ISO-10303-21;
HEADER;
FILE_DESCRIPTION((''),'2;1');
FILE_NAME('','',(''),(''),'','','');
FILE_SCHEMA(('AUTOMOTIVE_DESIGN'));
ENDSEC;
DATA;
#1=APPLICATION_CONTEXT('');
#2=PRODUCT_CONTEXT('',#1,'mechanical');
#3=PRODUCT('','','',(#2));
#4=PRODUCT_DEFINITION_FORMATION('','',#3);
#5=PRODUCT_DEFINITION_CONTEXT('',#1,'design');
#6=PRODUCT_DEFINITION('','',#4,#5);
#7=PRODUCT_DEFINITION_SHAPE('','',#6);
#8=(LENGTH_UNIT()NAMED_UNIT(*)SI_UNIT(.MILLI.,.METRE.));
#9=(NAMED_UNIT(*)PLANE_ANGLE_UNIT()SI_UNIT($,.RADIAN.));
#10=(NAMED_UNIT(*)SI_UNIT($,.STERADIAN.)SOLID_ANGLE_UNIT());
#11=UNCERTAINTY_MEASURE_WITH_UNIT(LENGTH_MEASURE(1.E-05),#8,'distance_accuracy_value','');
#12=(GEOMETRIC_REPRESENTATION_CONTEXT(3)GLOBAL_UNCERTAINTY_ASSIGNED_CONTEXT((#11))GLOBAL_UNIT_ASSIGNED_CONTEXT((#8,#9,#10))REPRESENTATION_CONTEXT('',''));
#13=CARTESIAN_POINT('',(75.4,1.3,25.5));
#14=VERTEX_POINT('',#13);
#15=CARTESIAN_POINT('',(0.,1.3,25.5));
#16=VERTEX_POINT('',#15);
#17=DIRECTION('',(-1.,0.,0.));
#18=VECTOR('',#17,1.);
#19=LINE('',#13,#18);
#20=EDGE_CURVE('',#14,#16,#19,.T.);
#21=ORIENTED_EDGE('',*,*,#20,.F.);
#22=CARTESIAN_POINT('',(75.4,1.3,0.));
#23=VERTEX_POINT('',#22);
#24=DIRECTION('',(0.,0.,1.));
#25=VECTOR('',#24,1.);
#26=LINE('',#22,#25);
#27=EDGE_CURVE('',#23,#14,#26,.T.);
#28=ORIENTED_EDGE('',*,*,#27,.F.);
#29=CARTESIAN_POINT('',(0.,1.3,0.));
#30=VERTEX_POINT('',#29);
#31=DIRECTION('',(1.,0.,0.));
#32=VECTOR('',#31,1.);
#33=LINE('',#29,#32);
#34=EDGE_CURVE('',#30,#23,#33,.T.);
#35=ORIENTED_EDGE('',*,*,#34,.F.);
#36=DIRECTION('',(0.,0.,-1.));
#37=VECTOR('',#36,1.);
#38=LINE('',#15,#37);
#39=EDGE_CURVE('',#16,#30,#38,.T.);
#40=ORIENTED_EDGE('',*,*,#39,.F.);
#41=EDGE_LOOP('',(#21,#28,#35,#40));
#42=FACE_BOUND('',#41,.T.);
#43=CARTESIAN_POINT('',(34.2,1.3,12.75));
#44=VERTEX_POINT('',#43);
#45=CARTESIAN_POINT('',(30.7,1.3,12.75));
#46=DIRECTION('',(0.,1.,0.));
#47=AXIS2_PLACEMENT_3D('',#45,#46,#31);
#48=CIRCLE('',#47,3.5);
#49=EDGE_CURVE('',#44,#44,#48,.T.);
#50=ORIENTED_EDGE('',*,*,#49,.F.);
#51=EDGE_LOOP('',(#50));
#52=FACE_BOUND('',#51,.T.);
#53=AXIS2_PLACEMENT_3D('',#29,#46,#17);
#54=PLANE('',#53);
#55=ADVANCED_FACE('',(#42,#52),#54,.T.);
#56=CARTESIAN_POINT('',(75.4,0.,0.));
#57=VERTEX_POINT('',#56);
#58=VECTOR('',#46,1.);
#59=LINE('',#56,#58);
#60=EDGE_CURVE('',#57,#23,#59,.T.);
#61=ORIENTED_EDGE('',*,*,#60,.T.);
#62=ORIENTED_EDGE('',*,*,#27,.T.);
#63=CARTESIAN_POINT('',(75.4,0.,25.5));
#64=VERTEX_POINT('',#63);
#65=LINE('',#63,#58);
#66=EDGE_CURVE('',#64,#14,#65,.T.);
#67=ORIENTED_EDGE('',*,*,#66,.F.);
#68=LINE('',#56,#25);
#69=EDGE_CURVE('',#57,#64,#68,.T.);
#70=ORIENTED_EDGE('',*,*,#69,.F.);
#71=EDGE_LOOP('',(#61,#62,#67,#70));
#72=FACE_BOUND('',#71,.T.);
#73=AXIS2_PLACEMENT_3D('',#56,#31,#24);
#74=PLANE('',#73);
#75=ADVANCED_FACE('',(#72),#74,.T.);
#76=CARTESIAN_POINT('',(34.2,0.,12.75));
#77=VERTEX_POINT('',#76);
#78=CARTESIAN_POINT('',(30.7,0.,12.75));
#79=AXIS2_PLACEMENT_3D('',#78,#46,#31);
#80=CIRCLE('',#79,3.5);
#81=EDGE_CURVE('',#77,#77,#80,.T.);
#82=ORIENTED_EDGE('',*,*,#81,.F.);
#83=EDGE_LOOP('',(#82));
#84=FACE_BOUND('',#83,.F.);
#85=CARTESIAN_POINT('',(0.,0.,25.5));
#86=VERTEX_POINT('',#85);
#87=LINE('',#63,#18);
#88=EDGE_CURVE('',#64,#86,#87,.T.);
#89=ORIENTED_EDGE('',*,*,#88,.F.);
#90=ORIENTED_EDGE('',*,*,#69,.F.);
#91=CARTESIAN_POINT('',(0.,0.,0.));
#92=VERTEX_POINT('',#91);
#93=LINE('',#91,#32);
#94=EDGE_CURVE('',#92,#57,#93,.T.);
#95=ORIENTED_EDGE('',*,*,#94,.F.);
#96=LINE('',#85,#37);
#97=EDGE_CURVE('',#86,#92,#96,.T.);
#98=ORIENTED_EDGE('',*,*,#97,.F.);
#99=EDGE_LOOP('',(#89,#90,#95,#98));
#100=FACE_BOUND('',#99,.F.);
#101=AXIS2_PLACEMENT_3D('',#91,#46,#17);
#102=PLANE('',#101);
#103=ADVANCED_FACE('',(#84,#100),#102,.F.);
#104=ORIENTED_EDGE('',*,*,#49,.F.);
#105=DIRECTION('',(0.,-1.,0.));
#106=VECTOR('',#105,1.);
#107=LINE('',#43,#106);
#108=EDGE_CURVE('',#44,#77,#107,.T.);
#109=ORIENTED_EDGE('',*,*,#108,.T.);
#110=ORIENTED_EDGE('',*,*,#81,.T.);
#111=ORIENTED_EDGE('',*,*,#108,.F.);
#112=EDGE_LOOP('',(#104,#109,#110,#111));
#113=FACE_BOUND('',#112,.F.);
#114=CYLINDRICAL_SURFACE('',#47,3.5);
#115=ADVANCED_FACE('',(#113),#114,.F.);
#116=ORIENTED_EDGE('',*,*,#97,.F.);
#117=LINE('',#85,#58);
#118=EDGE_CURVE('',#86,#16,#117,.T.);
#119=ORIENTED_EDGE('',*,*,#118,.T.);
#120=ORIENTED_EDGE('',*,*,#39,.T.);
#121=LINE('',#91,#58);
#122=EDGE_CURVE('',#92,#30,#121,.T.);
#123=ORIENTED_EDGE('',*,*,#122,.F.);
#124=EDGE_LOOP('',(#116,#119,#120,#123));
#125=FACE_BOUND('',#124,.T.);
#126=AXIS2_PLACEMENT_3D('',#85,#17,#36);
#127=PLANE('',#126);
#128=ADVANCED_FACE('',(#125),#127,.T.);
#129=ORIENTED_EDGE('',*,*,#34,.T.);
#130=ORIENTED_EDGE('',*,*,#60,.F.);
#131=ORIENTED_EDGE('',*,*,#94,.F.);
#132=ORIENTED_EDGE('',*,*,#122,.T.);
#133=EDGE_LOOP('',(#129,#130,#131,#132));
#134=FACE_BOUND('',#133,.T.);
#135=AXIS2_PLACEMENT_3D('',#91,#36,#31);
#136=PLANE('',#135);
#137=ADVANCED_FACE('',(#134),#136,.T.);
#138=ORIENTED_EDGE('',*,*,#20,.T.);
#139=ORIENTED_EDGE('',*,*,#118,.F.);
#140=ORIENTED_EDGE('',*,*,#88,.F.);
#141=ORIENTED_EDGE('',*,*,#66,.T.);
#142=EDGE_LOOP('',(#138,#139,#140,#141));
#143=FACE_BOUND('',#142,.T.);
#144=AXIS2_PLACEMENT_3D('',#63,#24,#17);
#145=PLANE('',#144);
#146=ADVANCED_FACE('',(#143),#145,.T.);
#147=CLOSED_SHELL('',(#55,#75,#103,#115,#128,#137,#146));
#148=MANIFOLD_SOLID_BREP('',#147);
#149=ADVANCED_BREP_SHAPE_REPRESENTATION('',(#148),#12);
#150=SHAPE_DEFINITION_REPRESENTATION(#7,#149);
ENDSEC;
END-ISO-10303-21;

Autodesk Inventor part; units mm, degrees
ref_plane "YZ Plane" through (0, 0, 0) normal (1, 0, 0) x (0, 1, 0)
ref_plane "XZ Plane" through (0, 0, 0) normal (0, 1, 0) x (-1, 0, 0)
ref_plane "XY Plane" through (0, 0, 0) normal (0, 0, 1) x (1, 0, 0)
sketch "Sketch1" plane through (0, 0, 0) normal (0, 1, 0) x (-1, 0, 0)
  line L0 (0, 0) -> (-75.4, 0)
  line L1 (-75.4, 0) -> (-75.4, 25.5)
  line L2 (-75.4, 25.5) -> (0, 25.5)
  line L3 (0, 25.5) -> (0, 0)
  dimension "d0" = 75.4
  dimension "d1" = 25.5
extrude "Extrusion1" add sketch "Sketch1" along normal blind 1.3
sketch "Sketch6" plane through (0, 1.3, 0) normal (0, 1, 0) x (1, 0, 0)
  line L0 (75.4, 0) -> (0, 0) projected
  line L1 (0, 0) -> (0, -25.5) projected
  line L2 (0, -25.5) -> (75.4, -25.5) projected
  line L3 (75.4, -25.5) -> (75.4, 0) projected
  circle A0 centre (30.7, -12.75) radius 3.5
  dimension "d20" = 7
  dimension "d24" = 30.7
extrude "Extrusion6" cut sketch "Sketch6" against normal blind 10 contours A0
properties part number "00_Microscopeslide"
